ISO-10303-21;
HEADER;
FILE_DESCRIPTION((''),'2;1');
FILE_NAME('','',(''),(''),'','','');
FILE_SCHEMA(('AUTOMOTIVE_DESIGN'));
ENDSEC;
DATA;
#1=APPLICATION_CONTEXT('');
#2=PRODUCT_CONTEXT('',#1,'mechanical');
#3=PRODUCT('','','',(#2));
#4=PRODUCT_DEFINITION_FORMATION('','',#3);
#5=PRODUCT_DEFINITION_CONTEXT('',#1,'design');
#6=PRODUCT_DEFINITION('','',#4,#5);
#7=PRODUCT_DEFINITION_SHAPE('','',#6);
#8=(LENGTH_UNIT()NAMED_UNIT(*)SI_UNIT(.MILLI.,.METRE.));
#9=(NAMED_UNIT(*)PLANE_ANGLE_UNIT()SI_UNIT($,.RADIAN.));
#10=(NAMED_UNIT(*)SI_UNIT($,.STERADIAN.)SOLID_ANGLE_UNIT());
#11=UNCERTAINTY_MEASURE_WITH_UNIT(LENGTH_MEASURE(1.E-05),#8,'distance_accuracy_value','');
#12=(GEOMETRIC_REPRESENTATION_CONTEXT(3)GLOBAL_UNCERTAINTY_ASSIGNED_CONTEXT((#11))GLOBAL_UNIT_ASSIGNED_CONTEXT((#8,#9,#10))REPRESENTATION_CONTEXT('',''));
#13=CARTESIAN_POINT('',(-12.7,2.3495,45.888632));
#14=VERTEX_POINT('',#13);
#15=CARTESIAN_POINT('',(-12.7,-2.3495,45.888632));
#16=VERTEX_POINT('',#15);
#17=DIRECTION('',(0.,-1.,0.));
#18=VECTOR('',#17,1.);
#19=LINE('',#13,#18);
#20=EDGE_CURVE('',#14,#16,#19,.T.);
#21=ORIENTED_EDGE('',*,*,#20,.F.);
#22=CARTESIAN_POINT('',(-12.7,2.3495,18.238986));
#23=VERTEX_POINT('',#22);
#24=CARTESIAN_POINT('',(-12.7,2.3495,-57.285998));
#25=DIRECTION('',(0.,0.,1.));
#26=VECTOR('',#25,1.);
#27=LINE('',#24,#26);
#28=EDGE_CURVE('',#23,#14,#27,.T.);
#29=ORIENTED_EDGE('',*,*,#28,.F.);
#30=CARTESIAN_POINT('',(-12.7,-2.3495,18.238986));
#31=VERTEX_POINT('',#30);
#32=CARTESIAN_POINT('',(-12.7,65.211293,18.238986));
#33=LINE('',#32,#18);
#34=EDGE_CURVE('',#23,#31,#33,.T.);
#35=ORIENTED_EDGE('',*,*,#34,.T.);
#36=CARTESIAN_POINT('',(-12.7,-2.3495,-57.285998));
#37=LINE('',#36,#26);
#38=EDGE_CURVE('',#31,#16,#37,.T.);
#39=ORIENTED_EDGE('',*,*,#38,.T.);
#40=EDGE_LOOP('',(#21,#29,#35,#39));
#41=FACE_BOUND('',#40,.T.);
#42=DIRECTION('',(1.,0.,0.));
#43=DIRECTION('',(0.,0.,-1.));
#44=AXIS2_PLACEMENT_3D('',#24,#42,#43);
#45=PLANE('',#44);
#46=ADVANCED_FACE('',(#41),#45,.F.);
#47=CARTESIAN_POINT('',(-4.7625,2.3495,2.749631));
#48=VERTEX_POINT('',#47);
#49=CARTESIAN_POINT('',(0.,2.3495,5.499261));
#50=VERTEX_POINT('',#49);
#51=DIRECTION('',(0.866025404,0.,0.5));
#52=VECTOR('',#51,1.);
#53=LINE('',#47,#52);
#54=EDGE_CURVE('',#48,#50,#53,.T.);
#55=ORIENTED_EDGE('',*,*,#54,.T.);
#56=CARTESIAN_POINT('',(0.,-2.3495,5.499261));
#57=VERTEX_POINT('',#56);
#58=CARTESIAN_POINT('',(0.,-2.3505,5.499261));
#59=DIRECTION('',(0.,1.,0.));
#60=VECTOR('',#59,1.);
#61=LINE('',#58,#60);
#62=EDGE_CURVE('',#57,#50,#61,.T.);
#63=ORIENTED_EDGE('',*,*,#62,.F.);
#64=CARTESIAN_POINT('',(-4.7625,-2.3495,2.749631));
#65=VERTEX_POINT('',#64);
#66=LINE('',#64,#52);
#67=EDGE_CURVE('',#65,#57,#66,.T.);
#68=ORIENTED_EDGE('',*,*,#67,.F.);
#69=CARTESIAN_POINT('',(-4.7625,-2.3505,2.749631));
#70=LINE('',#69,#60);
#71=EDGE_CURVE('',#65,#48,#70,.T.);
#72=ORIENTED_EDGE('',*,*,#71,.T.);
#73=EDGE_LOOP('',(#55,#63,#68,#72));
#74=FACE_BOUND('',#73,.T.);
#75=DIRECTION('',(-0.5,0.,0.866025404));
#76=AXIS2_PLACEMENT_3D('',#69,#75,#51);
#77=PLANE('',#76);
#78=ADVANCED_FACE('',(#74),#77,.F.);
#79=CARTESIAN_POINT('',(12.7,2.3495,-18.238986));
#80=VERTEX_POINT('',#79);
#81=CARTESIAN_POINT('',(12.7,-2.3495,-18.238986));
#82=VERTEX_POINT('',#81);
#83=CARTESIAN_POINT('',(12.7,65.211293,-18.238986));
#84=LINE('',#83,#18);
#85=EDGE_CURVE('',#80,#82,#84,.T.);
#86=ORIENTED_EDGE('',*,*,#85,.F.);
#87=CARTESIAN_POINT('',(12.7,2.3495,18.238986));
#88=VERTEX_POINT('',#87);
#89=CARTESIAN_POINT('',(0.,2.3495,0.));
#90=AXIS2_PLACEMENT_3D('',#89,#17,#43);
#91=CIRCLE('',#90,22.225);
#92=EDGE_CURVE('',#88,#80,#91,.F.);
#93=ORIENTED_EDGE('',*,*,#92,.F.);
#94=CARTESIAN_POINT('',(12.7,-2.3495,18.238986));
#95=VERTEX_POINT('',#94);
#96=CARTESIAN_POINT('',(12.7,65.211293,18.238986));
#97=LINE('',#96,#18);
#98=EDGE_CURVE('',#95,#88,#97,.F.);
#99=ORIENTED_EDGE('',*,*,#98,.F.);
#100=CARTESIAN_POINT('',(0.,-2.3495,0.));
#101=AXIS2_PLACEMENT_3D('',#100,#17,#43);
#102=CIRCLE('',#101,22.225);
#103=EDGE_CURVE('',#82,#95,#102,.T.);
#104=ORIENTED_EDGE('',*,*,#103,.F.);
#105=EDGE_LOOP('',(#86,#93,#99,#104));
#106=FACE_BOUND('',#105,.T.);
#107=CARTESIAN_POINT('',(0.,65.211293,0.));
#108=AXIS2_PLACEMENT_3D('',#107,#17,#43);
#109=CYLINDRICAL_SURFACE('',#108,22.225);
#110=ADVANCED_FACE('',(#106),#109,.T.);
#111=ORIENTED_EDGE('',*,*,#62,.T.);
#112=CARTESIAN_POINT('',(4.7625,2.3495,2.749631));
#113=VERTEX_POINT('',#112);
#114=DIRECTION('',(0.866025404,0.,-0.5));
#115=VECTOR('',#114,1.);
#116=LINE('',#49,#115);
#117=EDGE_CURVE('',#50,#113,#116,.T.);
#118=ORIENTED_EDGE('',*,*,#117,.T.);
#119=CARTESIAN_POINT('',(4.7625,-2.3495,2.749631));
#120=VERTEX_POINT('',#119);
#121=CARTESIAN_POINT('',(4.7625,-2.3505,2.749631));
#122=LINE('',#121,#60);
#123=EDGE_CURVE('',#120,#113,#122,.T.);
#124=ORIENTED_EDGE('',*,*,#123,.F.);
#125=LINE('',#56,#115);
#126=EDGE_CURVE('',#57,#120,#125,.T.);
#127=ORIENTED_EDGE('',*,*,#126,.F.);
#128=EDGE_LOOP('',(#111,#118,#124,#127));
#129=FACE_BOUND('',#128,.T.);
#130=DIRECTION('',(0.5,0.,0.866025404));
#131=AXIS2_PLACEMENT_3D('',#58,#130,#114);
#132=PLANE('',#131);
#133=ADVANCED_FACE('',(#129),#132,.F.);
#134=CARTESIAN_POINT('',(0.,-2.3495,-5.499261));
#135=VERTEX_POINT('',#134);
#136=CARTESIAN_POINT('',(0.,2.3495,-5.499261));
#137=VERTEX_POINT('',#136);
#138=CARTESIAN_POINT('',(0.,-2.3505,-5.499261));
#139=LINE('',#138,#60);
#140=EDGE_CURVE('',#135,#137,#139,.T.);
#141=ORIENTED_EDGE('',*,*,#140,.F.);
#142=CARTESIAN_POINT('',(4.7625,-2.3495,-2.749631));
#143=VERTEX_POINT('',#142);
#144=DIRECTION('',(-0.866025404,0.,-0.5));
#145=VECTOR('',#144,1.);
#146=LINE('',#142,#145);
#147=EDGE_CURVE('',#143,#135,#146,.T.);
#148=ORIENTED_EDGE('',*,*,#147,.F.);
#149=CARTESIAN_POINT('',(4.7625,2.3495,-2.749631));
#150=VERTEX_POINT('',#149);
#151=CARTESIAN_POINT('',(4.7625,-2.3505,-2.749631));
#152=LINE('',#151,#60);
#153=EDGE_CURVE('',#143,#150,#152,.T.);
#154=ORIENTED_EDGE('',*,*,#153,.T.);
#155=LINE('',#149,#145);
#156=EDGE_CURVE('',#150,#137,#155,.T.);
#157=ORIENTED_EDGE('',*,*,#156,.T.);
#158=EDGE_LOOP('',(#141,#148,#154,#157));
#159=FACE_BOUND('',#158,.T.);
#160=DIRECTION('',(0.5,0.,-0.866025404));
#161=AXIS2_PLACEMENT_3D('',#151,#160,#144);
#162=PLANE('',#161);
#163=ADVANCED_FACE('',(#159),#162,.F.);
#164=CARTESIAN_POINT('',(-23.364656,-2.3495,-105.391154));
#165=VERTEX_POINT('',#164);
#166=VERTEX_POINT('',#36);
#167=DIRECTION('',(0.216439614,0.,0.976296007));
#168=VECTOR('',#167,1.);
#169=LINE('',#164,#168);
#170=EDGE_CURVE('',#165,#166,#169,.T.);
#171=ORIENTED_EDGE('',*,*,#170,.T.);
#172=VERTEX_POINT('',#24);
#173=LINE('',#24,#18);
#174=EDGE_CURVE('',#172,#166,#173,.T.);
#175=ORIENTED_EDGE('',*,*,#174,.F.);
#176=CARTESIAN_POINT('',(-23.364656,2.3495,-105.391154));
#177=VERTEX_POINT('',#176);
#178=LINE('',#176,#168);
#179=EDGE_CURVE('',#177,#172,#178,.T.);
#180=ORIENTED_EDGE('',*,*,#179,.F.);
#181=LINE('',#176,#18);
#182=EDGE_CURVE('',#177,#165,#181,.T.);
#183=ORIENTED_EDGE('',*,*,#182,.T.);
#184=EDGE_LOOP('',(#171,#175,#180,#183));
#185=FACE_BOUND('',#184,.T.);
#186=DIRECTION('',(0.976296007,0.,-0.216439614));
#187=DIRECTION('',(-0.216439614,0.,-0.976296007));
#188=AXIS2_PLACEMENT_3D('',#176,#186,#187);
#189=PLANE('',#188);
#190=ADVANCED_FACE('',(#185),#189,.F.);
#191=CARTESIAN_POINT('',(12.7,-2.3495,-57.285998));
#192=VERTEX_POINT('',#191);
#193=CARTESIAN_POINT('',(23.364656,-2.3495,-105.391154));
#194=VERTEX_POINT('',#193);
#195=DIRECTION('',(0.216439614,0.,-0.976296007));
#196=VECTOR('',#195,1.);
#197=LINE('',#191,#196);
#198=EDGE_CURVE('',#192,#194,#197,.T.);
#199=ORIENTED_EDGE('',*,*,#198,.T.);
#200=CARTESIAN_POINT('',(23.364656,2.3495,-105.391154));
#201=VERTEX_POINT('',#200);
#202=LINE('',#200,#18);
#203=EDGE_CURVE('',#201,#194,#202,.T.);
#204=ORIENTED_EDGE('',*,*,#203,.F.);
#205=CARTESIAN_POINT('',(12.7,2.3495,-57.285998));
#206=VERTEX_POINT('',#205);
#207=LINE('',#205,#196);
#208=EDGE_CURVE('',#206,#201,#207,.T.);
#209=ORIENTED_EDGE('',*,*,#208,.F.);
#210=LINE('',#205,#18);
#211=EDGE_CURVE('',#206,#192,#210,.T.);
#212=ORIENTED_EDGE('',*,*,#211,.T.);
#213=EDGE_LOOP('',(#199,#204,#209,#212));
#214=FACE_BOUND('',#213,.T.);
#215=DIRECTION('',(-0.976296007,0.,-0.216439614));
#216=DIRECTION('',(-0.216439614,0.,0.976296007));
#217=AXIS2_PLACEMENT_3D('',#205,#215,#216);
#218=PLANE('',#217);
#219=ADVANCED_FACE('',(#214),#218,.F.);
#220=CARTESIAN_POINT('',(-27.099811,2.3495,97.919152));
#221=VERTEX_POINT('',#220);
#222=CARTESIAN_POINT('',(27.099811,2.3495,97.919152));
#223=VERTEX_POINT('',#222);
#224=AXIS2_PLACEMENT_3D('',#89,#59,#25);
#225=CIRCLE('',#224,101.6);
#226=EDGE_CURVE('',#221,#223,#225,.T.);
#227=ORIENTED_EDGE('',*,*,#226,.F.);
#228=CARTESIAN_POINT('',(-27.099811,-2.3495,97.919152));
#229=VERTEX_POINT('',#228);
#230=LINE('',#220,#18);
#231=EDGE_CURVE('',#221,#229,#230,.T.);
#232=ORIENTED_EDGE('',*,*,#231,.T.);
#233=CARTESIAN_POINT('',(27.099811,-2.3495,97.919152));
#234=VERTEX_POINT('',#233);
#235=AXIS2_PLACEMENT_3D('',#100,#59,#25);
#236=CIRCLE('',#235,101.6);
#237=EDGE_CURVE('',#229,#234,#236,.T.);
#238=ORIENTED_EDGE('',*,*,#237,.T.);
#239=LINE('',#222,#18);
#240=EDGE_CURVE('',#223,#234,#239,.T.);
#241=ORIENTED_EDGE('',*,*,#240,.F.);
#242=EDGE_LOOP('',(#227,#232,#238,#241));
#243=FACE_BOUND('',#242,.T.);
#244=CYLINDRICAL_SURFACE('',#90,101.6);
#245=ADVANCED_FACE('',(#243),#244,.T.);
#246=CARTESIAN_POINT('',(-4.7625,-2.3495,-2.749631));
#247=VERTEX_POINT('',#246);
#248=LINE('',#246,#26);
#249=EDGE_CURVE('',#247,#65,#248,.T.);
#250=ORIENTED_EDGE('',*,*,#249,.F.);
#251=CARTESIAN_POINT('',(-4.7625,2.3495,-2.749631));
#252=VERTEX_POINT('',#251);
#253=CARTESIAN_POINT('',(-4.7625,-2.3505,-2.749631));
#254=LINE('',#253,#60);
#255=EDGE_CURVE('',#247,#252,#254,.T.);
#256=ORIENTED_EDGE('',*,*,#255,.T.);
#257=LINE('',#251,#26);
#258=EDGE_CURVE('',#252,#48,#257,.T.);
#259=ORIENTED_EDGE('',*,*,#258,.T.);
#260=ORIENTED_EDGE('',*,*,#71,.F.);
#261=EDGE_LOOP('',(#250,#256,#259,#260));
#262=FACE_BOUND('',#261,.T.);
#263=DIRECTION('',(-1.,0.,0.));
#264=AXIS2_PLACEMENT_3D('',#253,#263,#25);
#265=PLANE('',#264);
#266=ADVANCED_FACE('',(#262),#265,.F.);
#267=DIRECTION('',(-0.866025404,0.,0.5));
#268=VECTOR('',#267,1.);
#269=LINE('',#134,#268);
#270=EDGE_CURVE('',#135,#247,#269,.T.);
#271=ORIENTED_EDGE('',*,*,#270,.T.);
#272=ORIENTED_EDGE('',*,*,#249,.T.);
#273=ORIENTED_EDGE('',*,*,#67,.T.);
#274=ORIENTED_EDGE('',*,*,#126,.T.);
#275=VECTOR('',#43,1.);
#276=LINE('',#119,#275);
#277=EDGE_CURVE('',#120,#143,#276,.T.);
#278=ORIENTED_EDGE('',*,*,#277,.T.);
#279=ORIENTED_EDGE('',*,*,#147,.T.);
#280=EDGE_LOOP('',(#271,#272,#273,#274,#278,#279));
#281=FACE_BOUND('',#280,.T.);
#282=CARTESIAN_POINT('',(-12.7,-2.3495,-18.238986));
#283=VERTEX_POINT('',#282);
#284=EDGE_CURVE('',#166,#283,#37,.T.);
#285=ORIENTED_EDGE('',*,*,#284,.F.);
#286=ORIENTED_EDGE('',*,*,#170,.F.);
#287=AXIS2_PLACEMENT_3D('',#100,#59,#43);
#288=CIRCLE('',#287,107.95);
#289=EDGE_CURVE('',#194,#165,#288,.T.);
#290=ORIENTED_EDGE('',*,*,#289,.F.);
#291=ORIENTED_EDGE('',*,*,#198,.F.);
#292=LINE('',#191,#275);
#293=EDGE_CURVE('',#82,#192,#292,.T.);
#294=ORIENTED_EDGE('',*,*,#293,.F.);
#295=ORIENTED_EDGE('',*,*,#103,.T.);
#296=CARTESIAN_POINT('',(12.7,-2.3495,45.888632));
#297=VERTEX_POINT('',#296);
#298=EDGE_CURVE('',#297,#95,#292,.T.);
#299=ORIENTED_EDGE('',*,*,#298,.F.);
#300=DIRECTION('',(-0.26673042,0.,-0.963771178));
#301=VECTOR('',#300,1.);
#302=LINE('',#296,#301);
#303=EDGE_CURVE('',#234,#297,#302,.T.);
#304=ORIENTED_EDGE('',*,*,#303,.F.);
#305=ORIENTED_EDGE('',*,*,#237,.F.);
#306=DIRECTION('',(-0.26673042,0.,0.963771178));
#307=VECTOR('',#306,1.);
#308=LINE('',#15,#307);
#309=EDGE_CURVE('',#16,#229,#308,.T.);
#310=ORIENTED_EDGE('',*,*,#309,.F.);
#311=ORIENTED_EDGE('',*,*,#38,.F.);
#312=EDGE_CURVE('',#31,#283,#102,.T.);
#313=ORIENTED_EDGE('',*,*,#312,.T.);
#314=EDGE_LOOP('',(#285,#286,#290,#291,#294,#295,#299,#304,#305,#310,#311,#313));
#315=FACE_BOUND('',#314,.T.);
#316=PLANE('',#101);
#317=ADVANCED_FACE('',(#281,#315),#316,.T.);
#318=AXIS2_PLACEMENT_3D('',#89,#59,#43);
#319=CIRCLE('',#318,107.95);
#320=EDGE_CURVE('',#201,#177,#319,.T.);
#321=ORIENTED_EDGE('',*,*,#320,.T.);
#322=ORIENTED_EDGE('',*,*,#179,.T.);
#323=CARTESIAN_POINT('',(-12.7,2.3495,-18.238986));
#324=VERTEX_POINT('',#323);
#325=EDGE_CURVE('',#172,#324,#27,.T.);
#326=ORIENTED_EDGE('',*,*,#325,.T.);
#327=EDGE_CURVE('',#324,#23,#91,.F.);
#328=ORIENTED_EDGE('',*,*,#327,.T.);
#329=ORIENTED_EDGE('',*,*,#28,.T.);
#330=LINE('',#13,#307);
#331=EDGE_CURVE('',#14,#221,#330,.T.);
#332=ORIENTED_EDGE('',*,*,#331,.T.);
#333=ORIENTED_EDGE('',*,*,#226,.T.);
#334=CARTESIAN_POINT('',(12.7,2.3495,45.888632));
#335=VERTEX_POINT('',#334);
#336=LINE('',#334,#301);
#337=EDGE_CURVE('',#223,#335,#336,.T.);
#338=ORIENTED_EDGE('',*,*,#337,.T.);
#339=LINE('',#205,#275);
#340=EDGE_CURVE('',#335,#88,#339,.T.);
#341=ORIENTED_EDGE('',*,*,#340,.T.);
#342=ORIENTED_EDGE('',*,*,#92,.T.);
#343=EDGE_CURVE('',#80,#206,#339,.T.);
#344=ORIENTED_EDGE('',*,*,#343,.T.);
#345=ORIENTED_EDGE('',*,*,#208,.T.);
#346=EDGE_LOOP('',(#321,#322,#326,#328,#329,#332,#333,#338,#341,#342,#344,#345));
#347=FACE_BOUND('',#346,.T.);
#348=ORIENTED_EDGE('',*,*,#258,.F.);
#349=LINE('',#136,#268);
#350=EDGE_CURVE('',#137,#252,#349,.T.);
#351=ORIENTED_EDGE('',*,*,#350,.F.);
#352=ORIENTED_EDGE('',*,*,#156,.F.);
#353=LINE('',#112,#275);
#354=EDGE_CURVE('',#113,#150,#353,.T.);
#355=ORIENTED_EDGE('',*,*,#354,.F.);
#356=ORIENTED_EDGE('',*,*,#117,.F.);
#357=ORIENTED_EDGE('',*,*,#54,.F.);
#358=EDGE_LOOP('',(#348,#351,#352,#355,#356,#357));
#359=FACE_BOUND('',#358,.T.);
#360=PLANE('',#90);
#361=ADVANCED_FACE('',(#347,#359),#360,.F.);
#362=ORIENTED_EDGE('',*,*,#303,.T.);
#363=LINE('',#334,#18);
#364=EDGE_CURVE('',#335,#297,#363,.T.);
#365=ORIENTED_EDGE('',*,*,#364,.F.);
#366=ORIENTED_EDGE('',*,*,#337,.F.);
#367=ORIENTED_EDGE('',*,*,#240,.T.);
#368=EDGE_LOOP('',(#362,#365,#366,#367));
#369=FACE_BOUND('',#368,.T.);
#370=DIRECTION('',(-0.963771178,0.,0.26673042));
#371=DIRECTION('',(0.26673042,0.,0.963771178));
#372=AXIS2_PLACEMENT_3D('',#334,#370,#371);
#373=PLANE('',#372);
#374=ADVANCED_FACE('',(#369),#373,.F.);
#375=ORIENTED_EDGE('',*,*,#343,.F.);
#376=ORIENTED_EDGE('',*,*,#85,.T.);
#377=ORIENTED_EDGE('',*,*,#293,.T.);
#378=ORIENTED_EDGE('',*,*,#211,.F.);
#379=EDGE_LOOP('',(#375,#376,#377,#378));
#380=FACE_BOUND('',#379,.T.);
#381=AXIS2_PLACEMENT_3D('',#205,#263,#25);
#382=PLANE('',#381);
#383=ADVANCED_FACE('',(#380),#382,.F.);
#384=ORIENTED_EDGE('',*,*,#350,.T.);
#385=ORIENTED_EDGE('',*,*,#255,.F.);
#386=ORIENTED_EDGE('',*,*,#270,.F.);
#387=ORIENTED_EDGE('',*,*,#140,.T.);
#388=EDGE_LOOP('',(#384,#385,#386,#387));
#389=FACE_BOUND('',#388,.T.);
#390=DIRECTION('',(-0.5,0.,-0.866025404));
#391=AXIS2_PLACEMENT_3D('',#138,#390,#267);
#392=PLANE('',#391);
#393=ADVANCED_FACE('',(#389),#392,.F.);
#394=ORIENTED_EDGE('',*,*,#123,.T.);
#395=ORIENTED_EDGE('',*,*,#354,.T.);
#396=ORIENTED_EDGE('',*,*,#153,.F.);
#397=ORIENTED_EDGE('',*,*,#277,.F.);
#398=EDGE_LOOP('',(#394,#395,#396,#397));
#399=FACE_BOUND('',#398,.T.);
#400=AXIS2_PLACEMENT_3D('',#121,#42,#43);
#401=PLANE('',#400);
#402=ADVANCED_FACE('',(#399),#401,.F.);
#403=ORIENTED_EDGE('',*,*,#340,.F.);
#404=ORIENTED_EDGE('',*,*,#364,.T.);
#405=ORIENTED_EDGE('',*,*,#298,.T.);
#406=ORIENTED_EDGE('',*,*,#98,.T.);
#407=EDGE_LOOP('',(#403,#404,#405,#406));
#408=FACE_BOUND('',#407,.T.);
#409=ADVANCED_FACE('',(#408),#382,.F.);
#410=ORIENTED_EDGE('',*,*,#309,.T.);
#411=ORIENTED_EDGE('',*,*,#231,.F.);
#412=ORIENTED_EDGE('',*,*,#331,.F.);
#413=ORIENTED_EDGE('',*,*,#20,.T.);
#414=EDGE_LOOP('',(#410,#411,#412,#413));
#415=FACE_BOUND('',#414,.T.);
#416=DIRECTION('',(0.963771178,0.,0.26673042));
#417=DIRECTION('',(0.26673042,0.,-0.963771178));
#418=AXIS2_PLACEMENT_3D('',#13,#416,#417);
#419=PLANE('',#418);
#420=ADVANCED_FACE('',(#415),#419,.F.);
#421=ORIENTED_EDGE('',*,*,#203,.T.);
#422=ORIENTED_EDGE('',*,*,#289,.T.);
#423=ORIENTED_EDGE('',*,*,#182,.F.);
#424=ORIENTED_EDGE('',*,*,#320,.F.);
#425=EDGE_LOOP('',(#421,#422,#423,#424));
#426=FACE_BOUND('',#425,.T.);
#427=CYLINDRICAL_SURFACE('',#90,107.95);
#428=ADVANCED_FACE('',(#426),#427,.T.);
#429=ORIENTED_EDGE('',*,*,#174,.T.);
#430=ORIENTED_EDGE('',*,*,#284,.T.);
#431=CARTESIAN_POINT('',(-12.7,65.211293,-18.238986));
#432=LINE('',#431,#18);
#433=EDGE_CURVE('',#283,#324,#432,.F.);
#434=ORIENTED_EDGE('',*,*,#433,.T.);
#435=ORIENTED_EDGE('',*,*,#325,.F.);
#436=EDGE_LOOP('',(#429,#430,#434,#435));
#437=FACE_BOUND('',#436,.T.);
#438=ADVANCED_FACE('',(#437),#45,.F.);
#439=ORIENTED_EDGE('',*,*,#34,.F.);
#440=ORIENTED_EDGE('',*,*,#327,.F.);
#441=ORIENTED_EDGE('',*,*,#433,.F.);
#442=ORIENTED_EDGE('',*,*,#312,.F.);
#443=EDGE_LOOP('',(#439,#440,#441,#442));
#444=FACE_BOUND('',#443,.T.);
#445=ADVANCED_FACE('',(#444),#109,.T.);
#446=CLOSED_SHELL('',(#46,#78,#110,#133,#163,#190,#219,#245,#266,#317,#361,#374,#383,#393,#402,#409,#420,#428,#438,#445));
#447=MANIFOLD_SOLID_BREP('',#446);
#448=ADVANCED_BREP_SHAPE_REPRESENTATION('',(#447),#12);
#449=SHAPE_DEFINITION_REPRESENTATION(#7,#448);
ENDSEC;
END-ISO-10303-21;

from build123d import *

# Parameters (mm, degrees)
BOSS_EXTRUDE1_DEPTH = 2.3495
CUT_EXTRUDE1_REACH  = 113.399
SKETCH3_R           = 22.225
BOSS_EXTRUDE2_DEPTH = 4.699


with BuildPart() as part:
    # Sketch1 → Boss-Extrude1 (new, symmetric)
    with BuildSketch(Plane(origin=(0, 0, 0), x_dir=(1, 0, 0), z_dir=(0, 1, 0))):
        with BuildLine():
            Line((-12.7, 57.285997997), (-12.7, -45.888631599))
            Line((-12.7, -45.888631599), (-27.099810626, -97.919151671))
            ThreePointArc((-27.099810626, -97.919151671), (0, -101.6), (27.099810626, -97.919151671))
            Line((27.099810626, -97.919151671), (12.7, -45.888631599))
            Line((12.7, -45.888631599), (12.7, 57.285997997))
            Line((12.7, 57.285997997), (23.364656325, 105.391153969))
            ThreePointArc((23.364656325, 105.391153969), (0, 107.95), (-23.364656325, 105.391153969))
            Line((-23.364656325, 105.391153969), (-12.7, 57.285997997))
        make_face()
    extrude(amount=BOSS_EXTRUDE1_DEPTH, both=True)

    # Sketch2 → Cut-Extrude1 (cut, up to next)
    with BuildSketch(Plane(origin=(0, 2.3495, 0), x_dir=(1, 0, 0), z_dir=(0, 1, 0)), mode=Mode.PRIVATE) as cut_extrude1_sk1:
        Polygon((4.7625, -2.749630657), (4.7625, 2.749630657), (0, 5.499261314), (-4.7625, 2.749630657), (-4.7625, -2.749630657), (0, -5.499261314), align=None)
    cut_extrude1_tool1 = extrude(cut_extrude1_sk1.sketch, amount=-CUT_EXTRUDE1_REACH, mode=Mode.PRIVATE) & part.part
    add(cut_extrude1_tool1.solids().sort_by_distance((0, 2.3495, 0))[0], mode=Mode.SUBTRACT)

    # Sketch3 → Boss-Extrude2 (add)
    with BuildSketch(Plane.XZ.offset(2.3495)):
        Circle(SKETCH3_R)
        Polygon((4.7625, -2.749630657), (0, -5.499261314), (-4.7625, -2.749630657), (-4.7625, 2.749630657), (0, 5.499261314), (4.7625, 2.749630657), align=None, mode=Mode.SUBTRACT)
    extrude(amount=-BOSS_EXTRUDE2_DEPTH)


solid = part.part
